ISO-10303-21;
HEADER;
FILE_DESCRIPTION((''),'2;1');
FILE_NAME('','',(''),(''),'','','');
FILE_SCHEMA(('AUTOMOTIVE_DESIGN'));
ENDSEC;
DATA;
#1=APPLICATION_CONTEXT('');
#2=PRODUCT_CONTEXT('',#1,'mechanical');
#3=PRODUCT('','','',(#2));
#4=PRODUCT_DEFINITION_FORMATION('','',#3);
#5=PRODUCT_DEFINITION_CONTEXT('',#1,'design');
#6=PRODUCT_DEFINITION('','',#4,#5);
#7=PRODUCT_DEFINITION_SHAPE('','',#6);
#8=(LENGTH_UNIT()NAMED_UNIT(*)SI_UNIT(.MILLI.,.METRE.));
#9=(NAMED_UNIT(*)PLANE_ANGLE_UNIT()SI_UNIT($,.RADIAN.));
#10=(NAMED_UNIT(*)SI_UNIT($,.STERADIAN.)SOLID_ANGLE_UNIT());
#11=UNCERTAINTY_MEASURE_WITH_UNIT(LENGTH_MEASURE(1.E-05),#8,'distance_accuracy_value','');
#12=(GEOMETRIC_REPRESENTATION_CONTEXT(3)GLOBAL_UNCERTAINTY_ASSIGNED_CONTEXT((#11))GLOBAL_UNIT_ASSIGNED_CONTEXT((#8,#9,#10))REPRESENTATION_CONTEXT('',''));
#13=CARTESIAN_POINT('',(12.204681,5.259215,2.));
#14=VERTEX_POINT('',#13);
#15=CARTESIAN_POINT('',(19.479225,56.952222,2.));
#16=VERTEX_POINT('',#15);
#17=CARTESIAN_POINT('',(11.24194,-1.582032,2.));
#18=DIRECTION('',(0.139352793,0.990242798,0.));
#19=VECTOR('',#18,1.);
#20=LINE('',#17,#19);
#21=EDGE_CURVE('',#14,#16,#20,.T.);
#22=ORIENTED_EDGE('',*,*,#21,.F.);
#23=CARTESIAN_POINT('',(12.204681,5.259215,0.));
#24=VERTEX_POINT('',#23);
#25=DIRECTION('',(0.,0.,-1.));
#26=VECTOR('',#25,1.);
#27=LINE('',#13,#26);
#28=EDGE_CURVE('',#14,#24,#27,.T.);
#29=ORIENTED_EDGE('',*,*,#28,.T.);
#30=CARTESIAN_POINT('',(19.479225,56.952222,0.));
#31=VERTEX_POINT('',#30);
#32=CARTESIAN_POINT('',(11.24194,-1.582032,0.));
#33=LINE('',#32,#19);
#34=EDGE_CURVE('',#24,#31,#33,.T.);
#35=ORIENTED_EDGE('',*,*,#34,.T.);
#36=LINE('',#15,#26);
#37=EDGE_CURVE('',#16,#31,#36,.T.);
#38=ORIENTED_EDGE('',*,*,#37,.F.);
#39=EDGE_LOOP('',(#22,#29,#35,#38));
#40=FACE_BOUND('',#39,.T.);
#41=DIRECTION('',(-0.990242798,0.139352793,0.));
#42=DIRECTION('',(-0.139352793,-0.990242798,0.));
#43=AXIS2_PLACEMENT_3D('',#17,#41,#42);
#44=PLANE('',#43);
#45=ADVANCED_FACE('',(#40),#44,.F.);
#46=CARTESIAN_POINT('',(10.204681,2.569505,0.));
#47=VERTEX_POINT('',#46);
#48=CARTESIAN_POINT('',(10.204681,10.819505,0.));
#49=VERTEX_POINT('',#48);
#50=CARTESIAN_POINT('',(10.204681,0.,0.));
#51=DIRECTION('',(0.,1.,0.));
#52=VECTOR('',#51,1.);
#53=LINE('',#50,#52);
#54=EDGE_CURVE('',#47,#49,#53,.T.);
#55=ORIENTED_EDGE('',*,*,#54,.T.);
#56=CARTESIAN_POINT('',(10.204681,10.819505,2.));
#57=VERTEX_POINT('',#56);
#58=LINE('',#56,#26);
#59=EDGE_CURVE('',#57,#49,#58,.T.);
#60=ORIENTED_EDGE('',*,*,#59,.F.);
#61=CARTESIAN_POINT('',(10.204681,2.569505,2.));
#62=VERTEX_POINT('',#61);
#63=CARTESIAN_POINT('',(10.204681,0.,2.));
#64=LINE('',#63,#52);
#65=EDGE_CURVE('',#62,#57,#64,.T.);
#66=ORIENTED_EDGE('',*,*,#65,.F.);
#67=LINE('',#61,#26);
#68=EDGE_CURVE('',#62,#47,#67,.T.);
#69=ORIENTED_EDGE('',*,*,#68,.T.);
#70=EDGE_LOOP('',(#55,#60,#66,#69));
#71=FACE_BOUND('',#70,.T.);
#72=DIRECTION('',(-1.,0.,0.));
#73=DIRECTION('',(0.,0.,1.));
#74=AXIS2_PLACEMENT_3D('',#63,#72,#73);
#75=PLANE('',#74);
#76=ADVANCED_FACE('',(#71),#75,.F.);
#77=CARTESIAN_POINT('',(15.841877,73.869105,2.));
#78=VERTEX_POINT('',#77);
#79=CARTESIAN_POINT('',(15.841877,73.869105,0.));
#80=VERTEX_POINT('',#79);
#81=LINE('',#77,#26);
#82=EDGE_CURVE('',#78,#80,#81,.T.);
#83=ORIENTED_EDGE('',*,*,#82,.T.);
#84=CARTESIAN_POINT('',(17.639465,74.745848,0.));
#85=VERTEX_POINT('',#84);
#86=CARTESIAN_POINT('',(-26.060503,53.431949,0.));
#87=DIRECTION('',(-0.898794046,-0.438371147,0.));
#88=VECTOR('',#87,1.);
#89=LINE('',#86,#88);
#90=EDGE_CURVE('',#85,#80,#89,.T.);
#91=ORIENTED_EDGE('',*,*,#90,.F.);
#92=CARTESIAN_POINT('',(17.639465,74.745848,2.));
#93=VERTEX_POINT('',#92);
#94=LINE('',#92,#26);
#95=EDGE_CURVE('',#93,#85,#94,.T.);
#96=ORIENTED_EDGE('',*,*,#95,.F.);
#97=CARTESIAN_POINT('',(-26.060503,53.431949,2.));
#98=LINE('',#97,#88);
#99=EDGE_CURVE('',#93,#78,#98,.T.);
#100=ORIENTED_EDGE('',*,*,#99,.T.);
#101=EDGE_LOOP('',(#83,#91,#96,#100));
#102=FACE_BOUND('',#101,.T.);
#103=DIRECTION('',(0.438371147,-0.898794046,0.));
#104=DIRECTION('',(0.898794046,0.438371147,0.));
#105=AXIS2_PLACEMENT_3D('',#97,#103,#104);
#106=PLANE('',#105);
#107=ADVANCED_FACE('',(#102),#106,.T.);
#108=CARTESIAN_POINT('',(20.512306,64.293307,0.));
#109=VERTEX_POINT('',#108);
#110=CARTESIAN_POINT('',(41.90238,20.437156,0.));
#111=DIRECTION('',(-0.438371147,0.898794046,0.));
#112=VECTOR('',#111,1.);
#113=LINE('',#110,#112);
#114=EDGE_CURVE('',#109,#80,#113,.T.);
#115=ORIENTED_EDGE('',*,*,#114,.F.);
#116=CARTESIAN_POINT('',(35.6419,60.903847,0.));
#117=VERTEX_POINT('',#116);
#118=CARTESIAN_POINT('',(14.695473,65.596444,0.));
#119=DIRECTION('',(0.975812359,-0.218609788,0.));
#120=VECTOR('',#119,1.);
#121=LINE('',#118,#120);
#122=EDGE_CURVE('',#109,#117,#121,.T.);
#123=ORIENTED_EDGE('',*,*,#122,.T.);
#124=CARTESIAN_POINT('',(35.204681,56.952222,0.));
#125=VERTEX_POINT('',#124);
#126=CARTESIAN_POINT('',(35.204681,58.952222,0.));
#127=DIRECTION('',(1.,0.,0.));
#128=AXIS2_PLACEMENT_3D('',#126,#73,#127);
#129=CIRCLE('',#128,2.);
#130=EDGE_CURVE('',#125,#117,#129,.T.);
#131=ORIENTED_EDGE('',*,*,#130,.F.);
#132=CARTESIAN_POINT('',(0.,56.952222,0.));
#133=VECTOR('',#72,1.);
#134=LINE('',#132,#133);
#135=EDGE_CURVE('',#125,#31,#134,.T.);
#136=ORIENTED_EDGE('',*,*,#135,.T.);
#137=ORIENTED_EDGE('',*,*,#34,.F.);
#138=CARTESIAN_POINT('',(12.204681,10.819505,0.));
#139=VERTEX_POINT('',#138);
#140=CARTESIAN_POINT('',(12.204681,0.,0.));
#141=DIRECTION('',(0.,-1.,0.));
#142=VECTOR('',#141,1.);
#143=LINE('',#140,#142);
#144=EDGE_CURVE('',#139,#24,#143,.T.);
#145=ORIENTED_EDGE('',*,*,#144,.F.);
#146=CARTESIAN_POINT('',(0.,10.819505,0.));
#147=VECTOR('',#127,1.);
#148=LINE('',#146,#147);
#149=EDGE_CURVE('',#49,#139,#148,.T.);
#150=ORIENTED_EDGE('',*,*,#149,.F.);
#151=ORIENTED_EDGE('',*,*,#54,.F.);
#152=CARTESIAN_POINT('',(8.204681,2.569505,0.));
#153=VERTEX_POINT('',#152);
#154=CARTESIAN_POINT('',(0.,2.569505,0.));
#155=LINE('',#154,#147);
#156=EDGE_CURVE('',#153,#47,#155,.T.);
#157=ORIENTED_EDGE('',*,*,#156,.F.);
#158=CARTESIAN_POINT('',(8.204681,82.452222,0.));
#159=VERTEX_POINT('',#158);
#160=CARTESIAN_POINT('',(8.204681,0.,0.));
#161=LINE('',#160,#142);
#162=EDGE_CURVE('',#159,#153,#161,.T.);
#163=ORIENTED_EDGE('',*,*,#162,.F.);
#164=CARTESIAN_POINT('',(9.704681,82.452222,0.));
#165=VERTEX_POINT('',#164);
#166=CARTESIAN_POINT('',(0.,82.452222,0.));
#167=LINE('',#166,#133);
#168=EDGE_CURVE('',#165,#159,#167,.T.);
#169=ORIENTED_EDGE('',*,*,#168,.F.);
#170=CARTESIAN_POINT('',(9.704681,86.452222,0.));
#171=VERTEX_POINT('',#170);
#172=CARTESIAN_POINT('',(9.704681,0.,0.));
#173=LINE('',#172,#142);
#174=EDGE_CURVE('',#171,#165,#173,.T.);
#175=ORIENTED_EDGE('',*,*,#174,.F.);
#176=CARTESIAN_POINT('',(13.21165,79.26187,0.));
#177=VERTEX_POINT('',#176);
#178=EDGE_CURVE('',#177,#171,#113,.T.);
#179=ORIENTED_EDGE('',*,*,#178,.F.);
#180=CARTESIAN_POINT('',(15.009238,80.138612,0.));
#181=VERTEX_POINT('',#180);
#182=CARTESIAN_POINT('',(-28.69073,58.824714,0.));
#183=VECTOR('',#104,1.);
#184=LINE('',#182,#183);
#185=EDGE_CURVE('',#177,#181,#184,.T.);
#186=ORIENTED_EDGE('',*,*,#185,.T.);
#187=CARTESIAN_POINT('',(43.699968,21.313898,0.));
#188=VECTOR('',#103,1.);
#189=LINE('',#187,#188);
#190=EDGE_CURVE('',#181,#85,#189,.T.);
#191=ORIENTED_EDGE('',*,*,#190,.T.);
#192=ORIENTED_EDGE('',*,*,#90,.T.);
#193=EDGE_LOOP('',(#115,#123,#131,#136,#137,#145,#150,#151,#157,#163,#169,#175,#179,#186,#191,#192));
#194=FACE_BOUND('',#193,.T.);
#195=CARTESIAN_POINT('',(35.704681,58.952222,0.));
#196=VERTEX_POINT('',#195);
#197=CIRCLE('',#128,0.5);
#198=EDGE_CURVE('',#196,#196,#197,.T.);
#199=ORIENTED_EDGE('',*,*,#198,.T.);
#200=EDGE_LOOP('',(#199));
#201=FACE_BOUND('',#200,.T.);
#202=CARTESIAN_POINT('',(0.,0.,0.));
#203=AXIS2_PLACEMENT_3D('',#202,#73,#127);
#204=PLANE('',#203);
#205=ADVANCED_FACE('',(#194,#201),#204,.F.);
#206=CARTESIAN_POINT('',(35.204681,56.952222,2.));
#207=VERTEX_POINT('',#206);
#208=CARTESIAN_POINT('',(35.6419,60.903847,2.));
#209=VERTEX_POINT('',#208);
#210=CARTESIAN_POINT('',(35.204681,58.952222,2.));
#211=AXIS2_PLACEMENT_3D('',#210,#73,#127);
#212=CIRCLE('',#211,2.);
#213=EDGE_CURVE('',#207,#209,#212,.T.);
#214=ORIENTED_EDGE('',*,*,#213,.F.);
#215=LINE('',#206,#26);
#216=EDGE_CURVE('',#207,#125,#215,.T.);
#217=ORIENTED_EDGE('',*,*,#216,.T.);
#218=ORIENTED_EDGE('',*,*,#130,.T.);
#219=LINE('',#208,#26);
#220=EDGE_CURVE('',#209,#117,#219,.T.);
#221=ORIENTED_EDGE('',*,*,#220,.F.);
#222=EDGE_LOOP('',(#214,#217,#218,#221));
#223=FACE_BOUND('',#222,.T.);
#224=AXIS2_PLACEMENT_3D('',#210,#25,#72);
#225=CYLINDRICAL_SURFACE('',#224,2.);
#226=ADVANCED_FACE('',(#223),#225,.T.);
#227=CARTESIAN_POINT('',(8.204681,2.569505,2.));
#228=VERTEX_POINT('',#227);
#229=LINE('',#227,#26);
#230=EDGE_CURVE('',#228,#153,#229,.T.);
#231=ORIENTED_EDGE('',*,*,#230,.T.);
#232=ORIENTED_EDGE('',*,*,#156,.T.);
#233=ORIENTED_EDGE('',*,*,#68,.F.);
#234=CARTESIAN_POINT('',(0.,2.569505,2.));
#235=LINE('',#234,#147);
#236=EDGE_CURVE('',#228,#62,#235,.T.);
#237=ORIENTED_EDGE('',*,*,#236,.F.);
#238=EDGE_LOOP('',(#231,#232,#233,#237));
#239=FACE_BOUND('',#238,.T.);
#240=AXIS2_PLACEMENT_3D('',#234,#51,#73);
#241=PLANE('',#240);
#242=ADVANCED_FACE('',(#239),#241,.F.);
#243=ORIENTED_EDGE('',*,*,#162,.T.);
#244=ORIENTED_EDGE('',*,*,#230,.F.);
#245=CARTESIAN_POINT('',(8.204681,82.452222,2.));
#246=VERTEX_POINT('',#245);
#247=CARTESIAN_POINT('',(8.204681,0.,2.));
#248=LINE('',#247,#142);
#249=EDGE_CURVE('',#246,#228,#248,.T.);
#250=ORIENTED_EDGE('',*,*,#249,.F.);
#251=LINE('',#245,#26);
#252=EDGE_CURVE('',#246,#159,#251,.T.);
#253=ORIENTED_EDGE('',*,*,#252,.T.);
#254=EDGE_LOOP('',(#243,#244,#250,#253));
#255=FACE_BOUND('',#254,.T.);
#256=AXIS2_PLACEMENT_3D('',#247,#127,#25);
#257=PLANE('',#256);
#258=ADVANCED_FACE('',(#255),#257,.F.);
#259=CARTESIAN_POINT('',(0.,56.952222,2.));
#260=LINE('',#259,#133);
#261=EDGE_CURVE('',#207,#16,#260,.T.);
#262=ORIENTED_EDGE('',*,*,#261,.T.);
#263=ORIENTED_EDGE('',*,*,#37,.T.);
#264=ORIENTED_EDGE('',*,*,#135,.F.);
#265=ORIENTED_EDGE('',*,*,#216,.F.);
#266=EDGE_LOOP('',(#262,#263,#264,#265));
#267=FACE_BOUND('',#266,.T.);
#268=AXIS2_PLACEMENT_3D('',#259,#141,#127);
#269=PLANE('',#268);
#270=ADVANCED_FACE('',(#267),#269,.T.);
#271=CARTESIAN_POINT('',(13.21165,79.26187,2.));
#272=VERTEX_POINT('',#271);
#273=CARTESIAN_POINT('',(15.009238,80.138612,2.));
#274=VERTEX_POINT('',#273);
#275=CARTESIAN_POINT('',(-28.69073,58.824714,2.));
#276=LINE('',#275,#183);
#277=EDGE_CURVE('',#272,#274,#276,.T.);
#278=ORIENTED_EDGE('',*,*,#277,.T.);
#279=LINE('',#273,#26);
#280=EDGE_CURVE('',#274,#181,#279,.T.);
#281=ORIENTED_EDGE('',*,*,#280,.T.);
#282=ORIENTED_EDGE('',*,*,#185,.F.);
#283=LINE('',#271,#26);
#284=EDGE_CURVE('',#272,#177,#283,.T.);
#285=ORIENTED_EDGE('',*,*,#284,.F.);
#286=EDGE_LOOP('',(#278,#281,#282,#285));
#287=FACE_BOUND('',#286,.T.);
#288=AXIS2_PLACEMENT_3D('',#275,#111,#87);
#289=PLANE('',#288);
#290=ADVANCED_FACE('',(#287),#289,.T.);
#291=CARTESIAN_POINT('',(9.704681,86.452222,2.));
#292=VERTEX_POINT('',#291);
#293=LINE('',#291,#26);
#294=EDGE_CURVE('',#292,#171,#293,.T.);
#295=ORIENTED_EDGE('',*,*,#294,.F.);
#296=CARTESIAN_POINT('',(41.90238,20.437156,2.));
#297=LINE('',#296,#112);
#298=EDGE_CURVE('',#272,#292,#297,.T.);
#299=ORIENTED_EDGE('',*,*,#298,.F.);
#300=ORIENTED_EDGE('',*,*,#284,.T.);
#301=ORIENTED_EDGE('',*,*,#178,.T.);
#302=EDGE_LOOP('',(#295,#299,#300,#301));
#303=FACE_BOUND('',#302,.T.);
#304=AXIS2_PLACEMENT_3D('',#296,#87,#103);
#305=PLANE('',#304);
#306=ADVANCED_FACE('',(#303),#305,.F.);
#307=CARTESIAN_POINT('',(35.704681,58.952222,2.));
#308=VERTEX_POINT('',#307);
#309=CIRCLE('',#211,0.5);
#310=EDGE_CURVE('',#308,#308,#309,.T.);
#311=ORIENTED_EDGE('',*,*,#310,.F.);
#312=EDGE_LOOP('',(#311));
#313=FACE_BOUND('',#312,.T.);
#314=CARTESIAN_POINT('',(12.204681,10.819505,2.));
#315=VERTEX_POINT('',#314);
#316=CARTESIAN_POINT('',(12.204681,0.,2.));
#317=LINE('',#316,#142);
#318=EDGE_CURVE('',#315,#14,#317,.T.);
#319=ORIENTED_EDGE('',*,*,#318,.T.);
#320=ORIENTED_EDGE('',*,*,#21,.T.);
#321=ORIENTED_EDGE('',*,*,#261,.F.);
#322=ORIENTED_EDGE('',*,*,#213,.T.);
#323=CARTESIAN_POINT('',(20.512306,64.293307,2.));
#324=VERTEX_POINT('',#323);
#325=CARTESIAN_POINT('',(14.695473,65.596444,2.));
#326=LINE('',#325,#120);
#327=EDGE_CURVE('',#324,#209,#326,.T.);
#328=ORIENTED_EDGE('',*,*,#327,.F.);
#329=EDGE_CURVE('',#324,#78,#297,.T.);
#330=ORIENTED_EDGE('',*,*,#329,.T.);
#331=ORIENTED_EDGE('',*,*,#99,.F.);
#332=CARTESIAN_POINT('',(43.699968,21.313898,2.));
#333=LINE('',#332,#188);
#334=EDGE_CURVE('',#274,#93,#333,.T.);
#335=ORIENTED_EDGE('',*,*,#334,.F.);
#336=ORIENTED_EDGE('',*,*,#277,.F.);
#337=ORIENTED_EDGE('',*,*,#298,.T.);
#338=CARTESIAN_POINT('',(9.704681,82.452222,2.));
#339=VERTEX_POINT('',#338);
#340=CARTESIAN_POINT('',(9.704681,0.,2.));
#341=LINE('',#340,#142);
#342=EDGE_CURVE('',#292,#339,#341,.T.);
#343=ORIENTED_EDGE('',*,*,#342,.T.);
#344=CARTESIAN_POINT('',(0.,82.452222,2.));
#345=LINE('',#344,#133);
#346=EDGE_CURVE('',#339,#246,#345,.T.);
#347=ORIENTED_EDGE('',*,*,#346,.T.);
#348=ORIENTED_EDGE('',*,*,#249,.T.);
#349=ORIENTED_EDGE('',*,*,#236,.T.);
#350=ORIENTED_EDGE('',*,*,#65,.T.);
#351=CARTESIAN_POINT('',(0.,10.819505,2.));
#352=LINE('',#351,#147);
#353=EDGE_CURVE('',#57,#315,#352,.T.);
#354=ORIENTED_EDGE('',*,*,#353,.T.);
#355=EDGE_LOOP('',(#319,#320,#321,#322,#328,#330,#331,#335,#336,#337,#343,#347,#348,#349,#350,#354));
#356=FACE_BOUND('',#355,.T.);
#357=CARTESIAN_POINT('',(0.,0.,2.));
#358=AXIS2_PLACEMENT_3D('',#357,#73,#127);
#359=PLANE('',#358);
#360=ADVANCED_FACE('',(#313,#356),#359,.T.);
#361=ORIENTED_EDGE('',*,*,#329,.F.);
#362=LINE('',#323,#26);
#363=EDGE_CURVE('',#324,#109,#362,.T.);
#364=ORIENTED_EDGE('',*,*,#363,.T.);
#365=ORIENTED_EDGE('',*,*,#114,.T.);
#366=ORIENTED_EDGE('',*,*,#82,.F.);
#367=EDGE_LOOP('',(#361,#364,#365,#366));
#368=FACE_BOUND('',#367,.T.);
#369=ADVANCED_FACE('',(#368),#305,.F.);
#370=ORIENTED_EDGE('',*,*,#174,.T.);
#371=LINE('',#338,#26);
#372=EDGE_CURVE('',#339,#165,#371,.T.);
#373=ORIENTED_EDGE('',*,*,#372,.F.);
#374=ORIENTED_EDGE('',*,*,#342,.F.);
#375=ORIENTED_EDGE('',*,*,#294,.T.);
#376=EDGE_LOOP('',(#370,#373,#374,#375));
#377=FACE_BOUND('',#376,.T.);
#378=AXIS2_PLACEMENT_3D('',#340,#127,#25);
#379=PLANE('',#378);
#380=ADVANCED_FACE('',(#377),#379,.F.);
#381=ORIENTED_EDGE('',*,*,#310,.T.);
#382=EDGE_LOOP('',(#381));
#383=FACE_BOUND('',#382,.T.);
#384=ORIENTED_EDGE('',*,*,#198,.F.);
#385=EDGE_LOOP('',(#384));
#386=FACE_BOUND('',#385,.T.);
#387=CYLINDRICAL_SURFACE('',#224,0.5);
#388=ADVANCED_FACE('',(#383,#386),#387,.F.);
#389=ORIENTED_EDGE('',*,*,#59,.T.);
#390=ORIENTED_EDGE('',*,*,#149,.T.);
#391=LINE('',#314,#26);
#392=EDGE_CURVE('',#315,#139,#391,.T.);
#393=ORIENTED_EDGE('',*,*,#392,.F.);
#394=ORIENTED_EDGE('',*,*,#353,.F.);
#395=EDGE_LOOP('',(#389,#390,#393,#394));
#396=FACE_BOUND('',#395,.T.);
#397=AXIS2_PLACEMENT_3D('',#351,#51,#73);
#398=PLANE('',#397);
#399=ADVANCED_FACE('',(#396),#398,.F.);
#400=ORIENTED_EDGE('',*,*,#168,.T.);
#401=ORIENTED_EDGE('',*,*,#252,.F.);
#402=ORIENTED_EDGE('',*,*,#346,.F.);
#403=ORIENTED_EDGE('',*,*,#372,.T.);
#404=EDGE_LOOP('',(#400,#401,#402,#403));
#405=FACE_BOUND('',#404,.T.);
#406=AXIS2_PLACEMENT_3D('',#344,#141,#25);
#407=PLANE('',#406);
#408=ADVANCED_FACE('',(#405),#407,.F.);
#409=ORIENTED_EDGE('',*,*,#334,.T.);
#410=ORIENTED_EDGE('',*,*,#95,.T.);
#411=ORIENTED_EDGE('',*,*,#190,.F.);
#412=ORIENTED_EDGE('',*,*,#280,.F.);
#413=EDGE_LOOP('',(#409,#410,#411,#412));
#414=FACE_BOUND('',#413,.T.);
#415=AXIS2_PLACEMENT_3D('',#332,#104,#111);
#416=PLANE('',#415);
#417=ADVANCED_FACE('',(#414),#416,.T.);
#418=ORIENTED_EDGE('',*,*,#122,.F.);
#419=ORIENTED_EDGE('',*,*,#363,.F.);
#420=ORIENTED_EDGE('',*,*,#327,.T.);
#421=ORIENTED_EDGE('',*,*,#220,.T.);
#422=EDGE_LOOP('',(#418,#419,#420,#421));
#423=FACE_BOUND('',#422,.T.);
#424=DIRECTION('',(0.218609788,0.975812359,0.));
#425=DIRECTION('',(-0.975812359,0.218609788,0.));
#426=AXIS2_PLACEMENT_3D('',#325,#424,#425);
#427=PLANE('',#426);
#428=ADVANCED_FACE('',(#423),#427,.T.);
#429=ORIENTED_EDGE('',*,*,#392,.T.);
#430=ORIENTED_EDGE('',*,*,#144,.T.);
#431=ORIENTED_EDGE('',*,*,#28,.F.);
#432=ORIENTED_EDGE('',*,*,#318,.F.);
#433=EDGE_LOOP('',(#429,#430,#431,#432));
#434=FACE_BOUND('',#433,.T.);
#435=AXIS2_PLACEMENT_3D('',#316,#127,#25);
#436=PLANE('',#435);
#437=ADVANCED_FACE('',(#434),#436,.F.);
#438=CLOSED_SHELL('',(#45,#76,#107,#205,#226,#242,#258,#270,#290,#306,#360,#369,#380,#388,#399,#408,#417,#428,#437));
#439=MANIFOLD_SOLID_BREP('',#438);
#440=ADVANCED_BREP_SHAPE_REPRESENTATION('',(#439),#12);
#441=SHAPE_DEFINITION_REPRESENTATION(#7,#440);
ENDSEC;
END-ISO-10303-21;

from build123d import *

# Parameters (mm, degrees)
SKETCH_1_R      = 0.5
EXTRUDE_1_DEPTH = 2


with BuildPart() as part:
    # 草图1 → 凸台-拉伸1 (new body)
    with BuildSketch(Plane.XY):
        with BuildLine():
            Line((12.204680674, 10.819505304), (12.204680674, 5.259215029))
            Line((12.204680674, 5.259215029), (19.479224798, 56.952222064))
            Line((19.479224798, 56.952222064), (35.204680674, 56.952222064))
            ThreePointArc((35.204680674, 56.952222064), (37.192550066, 58.73227825), (35.64190025, 60.903846783))
            Line((35.64190025, 60.903846783), (20.512305514, 64.293307336))
            Line((20.512305514, 64.293307336), (15.841876729, 73.869105416))
            Line((15.841876729, 73.869105416), (17.639464822, 74.74584771))
            Line((17.639464822, 74.74584771), (15.009237941, 80.138611987))
            Line((15.009237941, 80.138611987), (13.211649848, 79.261869694))
            Line((13.211649848, 79.261869694), (9.704680674, 86.452222064))
            Line((9.704680674, 86.452222064), (9.704680674, 82.452222064))
            Line((9.704680674, 82.452222064), (8.204680674, 82.452222064))
            Line((8.204680674, 82.452222064), (8.204680674, 2.569505304))
            Line((8.204680674, 2.569505304), (10.204680674, 2.569505304))
            Line((10.204680674, 2.569505304), (10.204680674, 10.819505304))
            Line((10.204680674, 10.819505304), (12.204680674, 10.819505304))
        make_face()
        with Locations((35.204680674, 58.952222064)):
            Circle(SKETCH_1_R, mode=Mode.SUBTRACT)
    extrude(amount=EXTRUDE_1_DEPTH)


solid = part.part
